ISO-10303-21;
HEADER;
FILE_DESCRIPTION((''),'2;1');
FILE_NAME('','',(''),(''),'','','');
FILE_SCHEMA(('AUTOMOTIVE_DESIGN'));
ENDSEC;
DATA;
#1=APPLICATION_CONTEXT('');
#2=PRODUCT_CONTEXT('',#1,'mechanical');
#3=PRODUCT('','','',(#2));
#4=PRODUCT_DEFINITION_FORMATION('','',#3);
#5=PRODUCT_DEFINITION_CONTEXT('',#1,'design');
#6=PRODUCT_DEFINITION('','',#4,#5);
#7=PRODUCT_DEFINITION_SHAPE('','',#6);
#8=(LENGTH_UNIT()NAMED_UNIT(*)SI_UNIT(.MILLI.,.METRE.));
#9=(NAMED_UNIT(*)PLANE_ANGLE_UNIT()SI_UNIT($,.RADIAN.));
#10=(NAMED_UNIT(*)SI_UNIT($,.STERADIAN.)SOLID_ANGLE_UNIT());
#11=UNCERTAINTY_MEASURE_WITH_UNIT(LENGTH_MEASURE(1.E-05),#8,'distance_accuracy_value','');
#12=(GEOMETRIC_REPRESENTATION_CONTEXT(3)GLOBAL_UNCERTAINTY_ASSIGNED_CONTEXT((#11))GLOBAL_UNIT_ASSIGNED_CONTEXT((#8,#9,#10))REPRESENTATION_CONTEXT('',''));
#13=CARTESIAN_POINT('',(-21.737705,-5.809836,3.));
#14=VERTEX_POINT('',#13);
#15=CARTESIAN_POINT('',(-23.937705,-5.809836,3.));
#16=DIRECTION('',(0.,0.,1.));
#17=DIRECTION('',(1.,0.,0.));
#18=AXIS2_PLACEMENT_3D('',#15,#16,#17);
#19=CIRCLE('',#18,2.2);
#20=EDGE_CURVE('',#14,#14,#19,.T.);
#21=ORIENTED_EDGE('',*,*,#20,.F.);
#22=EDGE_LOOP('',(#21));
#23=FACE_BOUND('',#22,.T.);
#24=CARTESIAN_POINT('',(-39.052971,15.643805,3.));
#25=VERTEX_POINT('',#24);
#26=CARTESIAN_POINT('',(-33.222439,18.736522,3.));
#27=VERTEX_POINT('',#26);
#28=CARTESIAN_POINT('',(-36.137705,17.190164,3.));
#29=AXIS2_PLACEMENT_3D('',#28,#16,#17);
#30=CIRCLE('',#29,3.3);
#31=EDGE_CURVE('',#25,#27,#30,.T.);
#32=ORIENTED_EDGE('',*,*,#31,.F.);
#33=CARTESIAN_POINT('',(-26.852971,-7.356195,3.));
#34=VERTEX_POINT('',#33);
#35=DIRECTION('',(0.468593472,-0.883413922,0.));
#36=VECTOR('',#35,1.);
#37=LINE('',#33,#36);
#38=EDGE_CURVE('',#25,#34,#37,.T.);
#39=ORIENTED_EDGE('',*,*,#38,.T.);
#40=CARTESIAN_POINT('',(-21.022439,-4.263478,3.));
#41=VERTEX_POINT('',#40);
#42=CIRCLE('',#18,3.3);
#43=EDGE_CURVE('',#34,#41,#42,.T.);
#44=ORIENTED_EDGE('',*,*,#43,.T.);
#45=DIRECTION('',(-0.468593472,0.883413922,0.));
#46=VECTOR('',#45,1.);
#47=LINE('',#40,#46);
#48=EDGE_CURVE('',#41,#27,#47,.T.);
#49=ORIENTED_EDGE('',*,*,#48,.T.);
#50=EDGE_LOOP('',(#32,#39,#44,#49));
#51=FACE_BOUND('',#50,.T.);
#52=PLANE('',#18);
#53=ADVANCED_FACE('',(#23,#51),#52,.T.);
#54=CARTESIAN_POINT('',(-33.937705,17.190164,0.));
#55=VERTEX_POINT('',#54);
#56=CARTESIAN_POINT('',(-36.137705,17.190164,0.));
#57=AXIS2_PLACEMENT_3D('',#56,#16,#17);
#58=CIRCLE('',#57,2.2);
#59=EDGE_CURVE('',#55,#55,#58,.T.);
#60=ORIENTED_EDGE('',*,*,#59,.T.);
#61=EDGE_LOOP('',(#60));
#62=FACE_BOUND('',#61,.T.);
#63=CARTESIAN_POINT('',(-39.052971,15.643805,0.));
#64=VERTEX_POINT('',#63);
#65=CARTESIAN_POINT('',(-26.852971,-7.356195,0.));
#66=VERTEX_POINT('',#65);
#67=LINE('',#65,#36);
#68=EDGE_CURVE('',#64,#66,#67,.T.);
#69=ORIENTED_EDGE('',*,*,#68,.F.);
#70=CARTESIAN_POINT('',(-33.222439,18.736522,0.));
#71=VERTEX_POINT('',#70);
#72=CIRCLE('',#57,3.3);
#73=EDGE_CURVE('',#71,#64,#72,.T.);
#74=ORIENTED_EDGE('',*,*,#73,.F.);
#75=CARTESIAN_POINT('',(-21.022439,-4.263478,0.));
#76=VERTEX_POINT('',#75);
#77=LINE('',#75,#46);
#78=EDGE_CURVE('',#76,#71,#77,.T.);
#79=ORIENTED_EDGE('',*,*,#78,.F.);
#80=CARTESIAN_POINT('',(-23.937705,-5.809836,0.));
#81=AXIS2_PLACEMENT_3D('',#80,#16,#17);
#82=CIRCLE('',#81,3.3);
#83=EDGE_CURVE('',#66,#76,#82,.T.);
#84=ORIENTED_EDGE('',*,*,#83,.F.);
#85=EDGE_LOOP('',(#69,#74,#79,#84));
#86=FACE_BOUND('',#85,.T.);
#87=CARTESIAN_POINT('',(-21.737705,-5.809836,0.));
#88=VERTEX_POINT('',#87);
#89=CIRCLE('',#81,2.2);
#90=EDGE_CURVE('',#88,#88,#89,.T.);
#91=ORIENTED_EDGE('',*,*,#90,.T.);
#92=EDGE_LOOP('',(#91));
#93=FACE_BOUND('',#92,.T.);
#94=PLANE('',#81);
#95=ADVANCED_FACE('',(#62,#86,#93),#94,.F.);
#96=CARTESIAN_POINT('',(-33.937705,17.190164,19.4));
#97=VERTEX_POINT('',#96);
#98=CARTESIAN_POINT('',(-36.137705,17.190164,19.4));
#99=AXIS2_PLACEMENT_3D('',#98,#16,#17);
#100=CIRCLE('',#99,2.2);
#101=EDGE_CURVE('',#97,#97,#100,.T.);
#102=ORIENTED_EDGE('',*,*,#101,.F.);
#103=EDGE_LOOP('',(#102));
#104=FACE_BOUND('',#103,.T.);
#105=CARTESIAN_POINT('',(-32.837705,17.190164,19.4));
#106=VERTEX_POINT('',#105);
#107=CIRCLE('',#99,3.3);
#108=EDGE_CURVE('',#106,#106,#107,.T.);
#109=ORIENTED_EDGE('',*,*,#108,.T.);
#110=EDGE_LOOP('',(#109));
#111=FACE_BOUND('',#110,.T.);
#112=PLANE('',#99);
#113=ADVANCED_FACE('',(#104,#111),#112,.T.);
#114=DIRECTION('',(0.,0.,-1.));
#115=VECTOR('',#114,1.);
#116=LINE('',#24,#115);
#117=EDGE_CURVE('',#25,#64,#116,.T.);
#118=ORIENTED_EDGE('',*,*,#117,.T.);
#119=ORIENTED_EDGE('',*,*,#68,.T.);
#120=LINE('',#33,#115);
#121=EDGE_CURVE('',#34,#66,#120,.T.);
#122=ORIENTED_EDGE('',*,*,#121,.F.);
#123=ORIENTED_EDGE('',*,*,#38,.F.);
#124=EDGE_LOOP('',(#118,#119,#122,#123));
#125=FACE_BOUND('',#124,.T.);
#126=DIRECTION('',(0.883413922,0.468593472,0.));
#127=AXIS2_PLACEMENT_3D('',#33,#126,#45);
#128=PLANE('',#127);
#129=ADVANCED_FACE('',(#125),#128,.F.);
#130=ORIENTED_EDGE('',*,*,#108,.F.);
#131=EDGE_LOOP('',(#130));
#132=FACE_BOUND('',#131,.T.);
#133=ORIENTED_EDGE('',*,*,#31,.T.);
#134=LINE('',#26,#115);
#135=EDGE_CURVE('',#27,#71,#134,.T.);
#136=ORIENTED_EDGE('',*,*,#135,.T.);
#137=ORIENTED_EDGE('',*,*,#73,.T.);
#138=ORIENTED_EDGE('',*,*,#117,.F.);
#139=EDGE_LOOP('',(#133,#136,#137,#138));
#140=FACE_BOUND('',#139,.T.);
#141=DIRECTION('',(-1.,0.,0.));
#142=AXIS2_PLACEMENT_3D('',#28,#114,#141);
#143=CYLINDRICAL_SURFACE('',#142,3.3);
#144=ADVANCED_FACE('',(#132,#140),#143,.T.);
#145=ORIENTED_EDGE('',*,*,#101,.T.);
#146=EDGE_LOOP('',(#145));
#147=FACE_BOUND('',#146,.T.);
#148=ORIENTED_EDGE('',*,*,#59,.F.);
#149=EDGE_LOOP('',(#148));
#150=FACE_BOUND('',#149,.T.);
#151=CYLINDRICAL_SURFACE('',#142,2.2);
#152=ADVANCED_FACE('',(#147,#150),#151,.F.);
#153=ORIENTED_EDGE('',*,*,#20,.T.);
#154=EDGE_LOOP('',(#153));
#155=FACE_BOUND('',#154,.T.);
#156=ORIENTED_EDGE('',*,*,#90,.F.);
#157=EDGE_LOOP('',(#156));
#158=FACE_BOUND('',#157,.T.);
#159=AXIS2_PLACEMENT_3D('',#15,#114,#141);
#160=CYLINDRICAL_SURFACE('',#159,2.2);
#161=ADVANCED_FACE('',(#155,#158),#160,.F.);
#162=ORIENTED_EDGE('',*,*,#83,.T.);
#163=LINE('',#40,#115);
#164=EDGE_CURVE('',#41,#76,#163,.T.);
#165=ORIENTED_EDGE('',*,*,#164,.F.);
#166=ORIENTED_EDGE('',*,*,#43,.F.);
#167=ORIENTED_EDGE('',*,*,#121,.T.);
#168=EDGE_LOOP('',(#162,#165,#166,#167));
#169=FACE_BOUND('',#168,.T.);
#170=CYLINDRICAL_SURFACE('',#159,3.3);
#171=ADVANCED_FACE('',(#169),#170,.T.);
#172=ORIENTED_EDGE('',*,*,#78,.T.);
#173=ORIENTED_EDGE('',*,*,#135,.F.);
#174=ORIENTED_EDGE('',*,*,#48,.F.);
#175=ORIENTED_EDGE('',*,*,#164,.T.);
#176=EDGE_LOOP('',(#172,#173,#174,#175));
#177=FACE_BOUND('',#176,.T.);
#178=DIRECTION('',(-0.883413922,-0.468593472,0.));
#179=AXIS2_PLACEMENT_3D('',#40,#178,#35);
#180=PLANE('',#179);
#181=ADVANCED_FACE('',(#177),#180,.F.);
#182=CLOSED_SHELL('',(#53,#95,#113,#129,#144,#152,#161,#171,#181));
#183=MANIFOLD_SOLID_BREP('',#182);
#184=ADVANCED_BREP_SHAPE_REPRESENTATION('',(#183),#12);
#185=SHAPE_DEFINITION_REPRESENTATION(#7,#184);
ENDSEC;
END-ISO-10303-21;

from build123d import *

# Parameters (mm, degrees)
SKETCH1_R           = 2.2
BOSS_EXTRUDE1_DEPTH = 3
SKETCH2_R           = 3.3
SKETCH2_R_2         = 2.2
BOSS_EXTRUDE2_DEPTH = 16.4


with BuildPart() as part:
    # Sketch1 → Boss-Extrude1 (new body)
    with BuildSketch(Plane(origin=(0, 0, 0), x_dir=(-1, 0, 0), z_dir=(0, 0, 1))):
        with BuildLine():
            Line((26.852970862, 7.356194523), (39.052970862, -15.643805477))
            ThreePointArc((39.052970862, -15.643805477), (37.684063375, -20.105429878), (33.222438974, -18.736522391))
            Line((33.222438974, -18.736522391), (21.022438974, 4.263477609))
            ThreePointArc((21.022438974, 4.263477609), (22.391346461, 8.725102009), (26.852970862, 7.356194523))
        make_face()
        with Locations(Location((23.937704918, 5.809836066, 0), (0, 0, 180))):
            Circle(SKETCH1_R, mode=Mode.SUBTRACT)
        with Locations(Location((36.137704918, -17.190163934, 0), (0, 0, 180))):
            Circle(SKETCH1_R, mode=Mode.SUBTRACT)
    extrude(amount=BOSS_EXTRUDE1_DEPTH)

    # Sketch2 → Boss-Extrude2 (add)
    with BuildSketch(Plane.XY.offset(3)):
        with Locations(Location((-36.137704918, 17.190163934, 0), (0, 0, 207.943034423))):
            Circle(SKETCH2_R)
        with Locations((-36.137704918, 17.190163934)):
            Circle(SKETCH2_R_2, mode=Mode.SUBTRACT)
    extrude(amount=BOSS_EXTRUDE2_DEPTH)


solid = part.part
